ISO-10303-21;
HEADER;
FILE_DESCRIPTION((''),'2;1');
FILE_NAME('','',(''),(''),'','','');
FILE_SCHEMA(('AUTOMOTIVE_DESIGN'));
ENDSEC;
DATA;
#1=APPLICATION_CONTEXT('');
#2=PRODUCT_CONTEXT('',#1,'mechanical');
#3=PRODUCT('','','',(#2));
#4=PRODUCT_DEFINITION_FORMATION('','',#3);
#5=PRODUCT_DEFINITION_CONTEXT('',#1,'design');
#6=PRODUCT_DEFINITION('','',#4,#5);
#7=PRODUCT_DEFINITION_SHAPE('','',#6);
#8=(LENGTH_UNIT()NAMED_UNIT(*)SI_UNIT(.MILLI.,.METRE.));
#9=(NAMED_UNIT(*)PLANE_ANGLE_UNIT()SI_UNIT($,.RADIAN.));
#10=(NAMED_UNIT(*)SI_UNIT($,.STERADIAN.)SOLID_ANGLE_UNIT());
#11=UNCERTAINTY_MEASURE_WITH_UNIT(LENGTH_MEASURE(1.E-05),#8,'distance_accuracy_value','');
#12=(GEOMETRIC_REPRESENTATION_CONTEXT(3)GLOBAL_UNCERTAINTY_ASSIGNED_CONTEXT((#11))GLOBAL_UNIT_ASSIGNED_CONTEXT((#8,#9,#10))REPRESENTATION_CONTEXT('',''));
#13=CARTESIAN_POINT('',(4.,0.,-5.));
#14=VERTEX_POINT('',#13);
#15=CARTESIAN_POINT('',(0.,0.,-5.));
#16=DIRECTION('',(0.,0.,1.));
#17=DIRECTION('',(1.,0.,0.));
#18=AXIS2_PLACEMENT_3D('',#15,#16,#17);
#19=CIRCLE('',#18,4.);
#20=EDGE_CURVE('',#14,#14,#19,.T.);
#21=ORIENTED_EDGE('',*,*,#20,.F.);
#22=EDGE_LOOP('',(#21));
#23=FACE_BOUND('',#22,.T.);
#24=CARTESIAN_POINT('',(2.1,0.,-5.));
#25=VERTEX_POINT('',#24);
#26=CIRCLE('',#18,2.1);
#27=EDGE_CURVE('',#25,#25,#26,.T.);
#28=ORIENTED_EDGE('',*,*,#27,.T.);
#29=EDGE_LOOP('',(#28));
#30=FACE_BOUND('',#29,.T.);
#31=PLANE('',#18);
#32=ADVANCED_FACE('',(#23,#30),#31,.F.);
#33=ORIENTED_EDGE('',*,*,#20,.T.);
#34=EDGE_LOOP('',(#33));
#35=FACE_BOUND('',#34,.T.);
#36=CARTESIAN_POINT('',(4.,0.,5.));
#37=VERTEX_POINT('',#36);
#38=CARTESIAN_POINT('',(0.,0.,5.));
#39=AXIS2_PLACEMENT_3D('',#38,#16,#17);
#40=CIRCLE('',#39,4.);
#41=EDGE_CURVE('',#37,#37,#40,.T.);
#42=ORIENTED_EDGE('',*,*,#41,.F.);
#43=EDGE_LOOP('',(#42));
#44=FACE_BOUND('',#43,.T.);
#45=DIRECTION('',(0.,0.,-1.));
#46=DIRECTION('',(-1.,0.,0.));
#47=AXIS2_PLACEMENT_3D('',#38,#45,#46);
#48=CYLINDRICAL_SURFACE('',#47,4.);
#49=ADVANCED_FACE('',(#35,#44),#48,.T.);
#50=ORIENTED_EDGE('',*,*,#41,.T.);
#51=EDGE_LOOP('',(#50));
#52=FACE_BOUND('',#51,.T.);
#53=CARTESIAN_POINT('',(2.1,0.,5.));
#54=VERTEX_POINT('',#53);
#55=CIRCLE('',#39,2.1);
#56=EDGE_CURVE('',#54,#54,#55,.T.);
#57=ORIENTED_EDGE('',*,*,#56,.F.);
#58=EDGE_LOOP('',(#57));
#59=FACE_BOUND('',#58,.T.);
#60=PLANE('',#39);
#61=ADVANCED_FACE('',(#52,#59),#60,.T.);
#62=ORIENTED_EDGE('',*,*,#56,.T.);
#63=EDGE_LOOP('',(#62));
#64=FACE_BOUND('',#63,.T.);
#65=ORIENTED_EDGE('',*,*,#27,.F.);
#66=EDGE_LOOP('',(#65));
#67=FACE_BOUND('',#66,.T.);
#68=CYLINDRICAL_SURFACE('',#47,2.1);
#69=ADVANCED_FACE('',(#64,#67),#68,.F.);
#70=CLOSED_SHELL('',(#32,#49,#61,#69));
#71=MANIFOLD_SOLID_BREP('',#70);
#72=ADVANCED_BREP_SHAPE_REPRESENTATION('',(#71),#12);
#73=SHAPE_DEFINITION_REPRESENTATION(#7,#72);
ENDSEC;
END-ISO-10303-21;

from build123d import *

# Parameters (mm, degrees)
SKETCH_1_R      = 4
SKETCH_1_R_2    = 2.1
EXTRUDE_1_DEPTH = 5


with BuildPart() as part:
    # 草图1 → 凸台-拉伸1 (new body, symmetric)
    with BuildSketch(Plane.XY):
        Circle(SKETCH_1_R)
        Circle(SKETCH_1_R_2, mode=Mode.SUBTRACT)
    extrude(amount=EXTRUDE_1_DEPTH, both=True)


solid = part.part
